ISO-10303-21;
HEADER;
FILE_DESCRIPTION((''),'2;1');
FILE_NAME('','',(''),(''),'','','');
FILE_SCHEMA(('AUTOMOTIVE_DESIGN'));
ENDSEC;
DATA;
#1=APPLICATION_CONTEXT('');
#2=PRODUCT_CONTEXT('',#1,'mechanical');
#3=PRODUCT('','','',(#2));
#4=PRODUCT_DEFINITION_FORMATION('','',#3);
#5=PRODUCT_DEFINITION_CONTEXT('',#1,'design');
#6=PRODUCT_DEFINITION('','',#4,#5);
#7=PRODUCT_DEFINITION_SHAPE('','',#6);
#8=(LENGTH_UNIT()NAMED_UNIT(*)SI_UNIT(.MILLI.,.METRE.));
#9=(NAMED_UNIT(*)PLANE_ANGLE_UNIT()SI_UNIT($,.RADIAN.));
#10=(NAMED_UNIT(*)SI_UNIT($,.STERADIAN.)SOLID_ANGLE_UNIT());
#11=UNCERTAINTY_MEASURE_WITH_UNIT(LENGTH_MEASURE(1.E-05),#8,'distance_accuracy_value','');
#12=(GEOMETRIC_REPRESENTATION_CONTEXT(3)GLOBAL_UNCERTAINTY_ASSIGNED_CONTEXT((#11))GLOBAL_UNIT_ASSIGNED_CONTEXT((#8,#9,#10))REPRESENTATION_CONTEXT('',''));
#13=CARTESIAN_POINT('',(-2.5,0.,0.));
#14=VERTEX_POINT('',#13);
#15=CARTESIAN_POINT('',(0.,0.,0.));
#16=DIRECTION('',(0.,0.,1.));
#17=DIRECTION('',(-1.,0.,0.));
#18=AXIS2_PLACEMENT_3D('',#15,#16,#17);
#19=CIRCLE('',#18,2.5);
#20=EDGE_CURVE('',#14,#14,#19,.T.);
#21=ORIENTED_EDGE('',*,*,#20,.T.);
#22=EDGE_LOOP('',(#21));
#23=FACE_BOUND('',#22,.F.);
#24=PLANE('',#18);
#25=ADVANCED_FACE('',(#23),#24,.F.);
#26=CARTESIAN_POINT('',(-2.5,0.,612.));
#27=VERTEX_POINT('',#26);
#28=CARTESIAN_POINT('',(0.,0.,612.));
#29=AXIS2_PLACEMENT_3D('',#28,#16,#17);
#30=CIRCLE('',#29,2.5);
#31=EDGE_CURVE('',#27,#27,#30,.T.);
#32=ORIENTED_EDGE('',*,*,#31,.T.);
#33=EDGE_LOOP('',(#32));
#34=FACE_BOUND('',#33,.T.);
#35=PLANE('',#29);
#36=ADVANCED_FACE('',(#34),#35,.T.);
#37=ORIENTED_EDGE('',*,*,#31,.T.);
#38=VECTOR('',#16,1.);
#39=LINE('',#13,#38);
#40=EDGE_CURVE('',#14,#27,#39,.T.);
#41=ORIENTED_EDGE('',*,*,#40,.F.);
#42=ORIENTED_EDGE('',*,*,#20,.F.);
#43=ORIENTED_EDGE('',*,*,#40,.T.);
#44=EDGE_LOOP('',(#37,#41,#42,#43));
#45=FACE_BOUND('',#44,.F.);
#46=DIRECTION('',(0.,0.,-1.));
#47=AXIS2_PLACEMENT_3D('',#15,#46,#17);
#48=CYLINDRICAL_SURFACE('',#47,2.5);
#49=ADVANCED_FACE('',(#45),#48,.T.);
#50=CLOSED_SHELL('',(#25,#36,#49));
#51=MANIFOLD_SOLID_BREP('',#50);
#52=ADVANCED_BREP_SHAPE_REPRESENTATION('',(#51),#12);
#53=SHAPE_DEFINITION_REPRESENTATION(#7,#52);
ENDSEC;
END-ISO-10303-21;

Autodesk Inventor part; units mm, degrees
ref_plane "YZ Plane" through (0, 0, 0) normal (1, 0, 0) x (0, 1, 0)
ref_plane "XZ Plane" through (0, 0, 0) normal (0, 1, 0) x (-1, 0, 0)
ref_plane "XY Plane" through (0, 0, 0) normal (0, 0, 1) x (1, 0, 0)
sketch "Sketch1" plane through (0, 0, 0) normal (0, 0, 1) x (-1, 0, 0)
  circle A0 centre (0, 0) radius 2.5
  dimension "d0" = 5
extrude "Extrusion1" add sketch "Sketch1" along normal blind 612
properties part number "BirchRod" material "Wood (Birch)"
